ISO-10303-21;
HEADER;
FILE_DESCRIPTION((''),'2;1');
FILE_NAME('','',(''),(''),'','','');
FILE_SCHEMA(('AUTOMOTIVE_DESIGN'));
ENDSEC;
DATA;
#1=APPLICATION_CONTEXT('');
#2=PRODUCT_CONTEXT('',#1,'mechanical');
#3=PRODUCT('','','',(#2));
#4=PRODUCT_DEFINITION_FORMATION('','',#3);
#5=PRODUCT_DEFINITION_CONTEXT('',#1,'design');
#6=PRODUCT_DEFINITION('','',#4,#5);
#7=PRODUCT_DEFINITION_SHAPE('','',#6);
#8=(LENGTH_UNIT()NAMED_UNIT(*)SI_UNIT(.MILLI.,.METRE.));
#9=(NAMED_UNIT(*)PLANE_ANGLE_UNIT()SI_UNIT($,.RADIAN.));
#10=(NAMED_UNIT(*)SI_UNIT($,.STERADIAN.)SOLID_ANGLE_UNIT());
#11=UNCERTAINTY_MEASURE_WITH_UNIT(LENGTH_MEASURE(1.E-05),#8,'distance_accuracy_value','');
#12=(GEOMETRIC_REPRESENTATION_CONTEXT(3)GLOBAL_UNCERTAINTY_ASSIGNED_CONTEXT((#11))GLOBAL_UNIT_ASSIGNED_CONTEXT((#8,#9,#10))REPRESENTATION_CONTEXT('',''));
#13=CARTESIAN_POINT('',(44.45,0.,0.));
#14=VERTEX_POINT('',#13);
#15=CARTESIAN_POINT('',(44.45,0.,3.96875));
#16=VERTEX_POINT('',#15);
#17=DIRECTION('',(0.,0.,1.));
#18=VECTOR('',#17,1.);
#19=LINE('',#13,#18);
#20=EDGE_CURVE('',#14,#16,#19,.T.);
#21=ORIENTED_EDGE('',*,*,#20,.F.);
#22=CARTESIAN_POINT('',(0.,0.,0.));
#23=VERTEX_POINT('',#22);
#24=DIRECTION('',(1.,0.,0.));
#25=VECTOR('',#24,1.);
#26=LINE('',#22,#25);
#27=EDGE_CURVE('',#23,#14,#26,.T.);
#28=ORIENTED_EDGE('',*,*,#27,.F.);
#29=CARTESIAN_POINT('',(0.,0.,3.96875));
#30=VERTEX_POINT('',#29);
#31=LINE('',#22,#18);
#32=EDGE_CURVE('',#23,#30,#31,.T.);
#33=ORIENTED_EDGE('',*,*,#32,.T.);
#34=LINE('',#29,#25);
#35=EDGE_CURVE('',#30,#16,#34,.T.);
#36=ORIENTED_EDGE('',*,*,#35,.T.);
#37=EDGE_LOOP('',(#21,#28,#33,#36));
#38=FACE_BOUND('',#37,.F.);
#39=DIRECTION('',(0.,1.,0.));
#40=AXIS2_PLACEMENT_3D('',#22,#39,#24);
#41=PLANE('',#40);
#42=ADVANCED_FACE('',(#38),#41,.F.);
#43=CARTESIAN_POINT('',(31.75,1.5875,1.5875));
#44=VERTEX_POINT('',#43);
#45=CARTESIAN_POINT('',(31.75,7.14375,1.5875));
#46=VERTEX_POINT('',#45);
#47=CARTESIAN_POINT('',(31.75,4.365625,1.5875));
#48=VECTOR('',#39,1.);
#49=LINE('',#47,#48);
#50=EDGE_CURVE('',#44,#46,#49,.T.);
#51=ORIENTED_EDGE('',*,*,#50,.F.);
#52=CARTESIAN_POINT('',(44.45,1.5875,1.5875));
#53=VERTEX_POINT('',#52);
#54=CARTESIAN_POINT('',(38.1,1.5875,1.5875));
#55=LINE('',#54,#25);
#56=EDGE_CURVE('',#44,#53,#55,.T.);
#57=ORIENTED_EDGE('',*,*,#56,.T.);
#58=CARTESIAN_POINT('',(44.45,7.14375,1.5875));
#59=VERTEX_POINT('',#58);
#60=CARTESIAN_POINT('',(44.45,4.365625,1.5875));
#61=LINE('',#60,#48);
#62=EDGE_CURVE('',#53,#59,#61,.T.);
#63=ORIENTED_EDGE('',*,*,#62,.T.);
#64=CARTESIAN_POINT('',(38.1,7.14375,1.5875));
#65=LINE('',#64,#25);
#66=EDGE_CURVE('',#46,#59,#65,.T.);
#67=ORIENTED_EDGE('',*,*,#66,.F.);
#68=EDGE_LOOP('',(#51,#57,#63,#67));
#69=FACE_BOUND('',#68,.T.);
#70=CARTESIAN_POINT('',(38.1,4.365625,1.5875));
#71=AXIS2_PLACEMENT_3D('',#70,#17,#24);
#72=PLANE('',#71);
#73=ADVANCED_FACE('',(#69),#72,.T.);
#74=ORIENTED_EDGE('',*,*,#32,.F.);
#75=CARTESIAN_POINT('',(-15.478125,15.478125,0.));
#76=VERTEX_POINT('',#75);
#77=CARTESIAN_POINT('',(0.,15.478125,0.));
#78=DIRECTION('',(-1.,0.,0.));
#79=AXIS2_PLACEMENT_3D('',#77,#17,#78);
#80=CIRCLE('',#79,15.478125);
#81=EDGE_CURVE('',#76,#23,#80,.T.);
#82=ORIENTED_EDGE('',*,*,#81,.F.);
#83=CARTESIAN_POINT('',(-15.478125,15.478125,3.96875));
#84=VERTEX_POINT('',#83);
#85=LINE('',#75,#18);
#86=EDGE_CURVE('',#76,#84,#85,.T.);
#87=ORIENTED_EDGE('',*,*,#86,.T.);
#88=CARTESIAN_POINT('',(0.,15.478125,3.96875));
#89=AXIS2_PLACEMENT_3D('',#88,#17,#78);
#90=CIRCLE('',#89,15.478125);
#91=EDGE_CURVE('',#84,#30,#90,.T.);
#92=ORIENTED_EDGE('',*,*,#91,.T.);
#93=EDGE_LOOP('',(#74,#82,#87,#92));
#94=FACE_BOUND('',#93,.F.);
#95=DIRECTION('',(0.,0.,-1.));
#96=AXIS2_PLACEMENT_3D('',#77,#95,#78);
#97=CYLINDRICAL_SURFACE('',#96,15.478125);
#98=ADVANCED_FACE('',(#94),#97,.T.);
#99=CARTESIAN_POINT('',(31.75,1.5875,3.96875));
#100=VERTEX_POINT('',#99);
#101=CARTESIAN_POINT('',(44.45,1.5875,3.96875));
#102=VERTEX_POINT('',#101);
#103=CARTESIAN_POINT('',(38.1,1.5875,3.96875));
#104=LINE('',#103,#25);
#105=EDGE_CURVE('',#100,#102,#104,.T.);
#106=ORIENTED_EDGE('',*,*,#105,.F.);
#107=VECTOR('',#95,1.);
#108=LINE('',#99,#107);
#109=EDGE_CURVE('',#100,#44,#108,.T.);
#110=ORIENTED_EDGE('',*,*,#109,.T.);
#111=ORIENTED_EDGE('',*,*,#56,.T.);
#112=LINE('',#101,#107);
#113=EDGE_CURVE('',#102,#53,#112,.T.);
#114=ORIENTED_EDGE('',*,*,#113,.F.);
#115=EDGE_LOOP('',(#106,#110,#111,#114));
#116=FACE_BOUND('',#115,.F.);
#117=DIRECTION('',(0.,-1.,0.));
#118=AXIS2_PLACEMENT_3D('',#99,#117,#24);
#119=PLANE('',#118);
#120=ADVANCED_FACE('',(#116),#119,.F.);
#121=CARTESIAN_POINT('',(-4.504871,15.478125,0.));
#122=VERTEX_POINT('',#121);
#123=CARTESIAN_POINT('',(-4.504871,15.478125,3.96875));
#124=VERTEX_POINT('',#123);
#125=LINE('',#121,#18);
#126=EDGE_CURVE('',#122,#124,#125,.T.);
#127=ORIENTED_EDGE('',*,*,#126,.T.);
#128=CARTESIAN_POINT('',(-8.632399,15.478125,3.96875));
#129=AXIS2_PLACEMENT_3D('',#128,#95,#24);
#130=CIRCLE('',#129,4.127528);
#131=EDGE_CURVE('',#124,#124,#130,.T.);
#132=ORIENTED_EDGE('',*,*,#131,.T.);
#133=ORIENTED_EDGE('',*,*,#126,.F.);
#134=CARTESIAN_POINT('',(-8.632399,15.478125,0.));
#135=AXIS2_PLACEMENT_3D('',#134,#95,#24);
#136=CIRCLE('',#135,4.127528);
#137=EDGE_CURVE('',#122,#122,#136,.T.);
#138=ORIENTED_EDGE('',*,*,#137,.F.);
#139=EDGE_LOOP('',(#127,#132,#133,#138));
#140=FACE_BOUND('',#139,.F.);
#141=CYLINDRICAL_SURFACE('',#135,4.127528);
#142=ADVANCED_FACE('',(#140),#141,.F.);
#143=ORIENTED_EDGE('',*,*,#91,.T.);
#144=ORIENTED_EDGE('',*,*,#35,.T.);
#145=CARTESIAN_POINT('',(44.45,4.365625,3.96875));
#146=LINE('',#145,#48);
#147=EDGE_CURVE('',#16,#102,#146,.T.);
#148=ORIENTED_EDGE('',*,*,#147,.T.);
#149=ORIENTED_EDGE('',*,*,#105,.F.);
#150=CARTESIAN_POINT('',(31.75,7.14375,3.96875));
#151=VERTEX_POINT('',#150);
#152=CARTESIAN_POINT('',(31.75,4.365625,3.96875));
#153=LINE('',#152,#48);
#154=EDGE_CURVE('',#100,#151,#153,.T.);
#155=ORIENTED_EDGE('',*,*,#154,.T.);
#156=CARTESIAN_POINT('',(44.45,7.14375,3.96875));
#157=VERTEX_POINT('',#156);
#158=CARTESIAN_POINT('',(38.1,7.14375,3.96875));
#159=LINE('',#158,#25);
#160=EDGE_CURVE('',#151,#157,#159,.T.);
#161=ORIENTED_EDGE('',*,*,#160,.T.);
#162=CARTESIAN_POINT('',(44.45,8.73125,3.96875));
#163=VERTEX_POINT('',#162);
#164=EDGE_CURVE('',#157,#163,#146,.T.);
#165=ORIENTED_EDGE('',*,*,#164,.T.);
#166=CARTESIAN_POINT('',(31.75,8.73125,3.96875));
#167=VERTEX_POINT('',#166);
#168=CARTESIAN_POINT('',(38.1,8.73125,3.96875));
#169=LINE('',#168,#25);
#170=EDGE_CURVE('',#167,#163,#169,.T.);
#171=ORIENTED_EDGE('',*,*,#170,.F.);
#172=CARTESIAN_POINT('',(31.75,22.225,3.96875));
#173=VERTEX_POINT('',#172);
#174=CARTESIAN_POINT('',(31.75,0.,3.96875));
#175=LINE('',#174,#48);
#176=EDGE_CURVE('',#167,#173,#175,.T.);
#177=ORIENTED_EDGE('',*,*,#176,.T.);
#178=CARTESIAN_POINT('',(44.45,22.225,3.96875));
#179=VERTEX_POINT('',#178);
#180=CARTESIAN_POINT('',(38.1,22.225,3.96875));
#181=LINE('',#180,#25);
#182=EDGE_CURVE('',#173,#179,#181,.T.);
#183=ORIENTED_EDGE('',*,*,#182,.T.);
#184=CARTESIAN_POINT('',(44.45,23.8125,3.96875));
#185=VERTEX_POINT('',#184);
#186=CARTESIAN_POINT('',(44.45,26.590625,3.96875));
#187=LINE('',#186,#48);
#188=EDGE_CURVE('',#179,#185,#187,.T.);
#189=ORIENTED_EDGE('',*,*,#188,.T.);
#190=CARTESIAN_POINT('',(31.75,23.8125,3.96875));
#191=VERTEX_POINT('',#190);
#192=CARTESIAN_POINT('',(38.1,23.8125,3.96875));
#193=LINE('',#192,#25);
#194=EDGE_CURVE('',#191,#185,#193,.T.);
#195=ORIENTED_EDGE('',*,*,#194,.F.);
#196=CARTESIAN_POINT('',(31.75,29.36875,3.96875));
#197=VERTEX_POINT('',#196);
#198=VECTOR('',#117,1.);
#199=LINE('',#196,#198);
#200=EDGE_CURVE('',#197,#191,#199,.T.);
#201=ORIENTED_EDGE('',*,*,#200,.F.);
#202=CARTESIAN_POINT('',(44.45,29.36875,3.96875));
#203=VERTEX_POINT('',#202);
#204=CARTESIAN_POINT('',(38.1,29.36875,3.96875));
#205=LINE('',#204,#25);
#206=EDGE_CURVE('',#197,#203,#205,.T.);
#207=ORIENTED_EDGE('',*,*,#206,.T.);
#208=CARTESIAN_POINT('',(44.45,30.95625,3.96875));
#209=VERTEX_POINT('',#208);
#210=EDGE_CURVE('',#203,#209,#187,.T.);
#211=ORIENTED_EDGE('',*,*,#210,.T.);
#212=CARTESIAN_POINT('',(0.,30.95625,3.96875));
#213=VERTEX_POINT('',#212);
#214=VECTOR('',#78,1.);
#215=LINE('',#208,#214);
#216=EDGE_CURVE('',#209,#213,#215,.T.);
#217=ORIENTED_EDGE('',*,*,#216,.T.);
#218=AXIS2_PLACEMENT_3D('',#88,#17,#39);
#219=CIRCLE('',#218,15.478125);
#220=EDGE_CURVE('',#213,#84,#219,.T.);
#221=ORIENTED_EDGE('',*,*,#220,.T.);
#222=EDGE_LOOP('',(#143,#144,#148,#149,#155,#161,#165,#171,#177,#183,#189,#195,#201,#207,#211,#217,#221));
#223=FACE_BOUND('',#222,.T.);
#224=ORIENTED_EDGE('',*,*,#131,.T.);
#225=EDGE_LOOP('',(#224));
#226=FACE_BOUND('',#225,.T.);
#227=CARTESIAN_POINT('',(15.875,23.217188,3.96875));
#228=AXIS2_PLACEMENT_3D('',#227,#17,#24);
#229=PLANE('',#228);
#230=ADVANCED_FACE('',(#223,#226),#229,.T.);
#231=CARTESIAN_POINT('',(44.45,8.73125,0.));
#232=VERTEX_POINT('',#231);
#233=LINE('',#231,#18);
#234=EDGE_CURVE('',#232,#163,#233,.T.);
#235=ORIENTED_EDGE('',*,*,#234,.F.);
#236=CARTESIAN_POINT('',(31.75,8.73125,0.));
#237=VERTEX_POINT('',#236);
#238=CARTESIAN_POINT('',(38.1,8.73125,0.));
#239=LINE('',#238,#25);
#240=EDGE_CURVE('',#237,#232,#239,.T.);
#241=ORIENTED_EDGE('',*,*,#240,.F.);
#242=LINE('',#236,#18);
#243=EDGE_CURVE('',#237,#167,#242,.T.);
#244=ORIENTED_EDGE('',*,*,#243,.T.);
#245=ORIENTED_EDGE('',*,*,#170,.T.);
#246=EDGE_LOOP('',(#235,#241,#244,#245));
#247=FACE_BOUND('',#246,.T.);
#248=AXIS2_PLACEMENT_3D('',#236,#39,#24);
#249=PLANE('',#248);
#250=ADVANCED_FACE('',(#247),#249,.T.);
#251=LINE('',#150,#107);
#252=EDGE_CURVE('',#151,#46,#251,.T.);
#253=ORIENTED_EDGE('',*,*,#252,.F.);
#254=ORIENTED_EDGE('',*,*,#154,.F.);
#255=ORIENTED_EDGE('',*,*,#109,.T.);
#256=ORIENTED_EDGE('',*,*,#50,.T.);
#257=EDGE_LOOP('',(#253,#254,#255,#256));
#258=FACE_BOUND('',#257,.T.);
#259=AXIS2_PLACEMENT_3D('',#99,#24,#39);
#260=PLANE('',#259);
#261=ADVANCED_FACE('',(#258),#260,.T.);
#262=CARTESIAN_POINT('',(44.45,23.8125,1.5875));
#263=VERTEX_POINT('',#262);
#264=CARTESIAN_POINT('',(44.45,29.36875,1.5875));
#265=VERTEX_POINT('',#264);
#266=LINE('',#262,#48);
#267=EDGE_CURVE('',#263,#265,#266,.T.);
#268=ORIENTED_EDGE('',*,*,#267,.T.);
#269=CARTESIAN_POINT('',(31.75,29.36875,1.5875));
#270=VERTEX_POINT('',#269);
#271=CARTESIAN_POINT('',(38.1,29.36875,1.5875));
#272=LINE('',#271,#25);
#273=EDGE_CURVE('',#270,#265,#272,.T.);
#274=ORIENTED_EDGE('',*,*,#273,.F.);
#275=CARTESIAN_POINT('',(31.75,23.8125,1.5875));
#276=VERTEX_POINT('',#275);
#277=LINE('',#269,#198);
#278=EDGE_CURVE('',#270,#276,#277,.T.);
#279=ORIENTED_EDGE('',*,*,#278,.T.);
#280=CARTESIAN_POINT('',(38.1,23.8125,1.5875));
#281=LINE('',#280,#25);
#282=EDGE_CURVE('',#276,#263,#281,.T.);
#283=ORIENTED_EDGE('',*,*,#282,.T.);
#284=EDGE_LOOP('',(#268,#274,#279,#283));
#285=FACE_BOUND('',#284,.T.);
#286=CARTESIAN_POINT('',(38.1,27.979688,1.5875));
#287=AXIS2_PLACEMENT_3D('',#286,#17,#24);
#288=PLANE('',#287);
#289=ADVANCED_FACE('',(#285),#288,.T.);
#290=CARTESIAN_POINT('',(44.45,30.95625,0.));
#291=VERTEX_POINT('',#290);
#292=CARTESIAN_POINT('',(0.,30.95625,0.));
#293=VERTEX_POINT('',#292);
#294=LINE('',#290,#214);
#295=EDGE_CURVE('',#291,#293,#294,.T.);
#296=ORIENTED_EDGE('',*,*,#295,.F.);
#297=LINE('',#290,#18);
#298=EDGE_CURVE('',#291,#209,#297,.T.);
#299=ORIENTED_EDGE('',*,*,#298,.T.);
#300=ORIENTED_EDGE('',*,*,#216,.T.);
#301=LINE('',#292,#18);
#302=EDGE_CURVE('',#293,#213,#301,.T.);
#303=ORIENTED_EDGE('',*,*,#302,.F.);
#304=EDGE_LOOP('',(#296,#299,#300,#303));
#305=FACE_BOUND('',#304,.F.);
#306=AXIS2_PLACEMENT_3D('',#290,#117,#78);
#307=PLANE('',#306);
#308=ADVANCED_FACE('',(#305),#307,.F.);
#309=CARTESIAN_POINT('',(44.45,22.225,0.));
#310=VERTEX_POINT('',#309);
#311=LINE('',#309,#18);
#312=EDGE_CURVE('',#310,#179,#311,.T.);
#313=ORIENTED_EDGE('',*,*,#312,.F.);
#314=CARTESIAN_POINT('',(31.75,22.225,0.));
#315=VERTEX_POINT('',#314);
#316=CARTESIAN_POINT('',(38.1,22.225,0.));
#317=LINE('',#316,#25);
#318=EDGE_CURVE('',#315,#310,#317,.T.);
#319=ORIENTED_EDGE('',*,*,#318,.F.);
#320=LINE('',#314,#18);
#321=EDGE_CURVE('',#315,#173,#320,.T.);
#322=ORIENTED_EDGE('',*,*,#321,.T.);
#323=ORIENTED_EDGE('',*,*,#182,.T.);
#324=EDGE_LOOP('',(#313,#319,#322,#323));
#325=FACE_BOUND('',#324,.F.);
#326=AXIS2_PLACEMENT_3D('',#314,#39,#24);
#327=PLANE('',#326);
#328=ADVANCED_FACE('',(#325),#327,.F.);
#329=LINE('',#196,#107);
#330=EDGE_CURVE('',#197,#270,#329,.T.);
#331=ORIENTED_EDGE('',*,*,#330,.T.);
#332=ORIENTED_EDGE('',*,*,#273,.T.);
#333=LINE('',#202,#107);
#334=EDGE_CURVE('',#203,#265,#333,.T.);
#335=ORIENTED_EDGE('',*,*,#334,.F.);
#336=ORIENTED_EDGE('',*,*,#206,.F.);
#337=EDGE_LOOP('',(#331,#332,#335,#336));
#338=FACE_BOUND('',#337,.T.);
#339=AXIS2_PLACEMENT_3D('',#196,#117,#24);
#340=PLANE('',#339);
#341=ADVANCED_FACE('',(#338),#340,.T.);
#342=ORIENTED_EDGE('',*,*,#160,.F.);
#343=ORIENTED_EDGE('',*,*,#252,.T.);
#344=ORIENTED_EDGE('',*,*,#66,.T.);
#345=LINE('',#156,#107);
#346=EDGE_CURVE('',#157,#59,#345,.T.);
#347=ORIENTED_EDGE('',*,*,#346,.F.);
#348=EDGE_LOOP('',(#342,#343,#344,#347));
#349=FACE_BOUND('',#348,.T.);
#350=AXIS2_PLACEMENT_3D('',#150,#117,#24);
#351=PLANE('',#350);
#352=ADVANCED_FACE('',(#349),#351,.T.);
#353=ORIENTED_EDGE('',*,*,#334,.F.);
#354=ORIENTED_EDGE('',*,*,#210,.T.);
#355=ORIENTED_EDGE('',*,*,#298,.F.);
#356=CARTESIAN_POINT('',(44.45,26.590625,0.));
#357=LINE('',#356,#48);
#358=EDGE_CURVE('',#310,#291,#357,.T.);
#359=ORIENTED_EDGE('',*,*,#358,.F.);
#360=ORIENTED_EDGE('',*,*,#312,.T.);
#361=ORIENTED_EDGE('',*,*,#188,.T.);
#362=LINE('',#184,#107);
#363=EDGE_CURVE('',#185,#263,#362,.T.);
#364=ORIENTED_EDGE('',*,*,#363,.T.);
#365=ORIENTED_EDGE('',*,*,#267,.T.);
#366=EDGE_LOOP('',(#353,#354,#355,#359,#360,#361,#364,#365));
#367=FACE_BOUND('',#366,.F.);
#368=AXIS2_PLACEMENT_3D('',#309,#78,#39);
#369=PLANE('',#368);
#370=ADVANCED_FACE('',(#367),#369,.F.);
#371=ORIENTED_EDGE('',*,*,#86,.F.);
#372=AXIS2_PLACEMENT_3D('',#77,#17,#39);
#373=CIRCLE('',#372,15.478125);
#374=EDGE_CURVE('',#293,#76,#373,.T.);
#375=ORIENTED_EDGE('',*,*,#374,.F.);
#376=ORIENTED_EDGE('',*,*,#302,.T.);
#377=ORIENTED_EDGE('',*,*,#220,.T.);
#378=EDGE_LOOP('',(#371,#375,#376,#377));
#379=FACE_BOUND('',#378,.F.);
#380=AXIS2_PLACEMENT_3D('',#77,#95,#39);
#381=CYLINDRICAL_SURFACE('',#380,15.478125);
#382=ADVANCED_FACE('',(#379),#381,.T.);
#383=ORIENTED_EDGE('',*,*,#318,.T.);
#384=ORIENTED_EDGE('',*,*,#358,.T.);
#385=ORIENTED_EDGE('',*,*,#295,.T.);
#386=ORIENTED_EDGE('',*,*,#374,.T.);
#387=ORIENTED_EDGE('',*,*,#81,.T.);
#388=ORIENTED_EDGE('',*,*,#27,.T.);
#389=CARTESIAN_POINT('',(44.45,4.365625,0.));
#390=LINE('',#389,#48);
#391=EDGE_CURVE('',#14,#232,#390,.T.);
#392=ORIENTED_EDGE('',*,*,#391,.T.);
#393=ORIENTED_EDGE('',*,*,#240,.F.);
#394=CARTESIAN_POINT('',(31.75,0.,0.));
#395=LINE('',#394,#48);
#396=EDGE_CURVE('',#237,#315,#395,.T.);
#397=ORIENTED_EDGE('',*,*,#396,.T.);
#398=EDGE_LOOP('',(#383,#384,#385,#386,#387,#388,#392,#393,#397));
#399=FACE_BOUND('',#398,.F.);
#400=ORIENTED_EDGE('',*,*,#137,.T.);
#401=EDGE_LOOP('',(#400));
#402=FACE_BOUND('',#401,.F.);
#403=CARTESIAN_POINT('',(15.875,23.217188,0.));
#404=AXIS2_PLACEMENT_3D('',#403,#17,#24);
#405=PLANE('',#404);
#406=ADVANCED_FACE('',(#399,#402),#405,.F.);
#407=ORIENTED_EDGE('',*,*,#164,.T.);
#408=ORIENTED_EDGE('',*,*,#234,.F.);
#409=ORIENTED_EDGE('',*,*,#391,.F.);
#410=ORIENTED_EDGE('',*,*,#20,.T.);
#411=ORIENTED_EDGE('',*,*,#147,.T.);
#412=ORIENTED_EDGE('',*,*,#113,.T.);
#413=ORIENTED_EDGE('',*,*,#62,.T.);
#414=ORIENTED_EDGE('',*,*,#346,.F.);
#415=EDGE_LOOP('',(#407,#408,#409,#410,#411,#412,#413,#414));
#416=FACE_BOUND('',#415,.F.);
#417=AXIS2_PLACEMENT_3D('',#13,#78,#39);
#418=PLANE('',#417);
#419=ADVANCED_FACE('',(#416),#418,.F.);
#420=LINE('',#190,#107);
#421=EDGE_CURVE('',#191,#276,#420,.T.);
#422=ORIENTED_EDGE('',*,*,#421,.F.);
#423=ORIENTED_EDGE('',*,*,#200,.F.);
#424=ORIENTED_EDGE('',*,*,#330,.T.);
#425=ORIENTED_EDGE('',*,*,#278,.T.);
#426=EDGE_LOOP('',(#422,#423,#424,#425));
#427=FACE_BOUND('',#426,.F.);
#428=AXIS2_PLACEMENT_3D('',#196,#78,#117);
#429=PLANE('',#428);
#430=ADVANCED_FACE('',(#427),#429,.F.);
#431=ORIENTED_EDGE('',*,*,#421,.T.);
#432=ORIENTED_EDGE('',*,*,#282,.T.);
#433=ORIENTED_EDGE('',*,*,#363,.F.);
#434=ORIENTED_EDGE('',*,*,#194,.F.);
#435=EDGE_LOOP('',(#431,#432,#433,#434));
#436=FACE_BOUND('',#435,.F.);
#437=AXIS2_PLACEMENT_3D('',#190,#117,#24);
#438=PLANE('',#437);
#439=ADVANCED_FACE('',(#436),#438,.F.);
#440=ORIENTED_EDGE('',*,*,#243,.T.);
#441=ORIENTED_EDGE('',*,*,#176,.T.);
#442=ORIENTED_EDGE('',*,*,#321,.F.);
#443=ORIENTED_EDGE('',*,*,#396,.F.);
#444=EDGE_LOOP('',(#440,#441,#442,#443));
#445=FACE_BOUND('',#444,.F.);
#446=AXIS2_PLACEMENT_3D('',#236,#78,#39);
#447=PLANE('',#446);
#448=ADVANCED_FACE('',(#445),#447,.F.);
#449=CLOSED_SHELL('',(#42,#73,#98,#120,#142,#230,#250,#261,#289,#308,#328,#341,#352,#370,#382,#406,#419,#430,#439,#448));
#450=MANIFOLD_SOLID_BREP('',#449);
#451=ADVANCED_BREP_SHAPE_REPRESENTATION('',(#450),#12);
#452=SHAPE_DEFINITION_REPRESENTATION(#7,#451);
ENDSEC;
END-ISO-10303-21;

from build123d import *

# Parameters (mm, degrees)
F0_W     = 12.7
F0_H     = 8.73125
F1_DEPTH = 3.96875
F2_W     = 12.7
F2_H     = 2.778125
F2_H_2   = 5.55625
F3_DEPTH = 2.38125


with BuildPart() as f1:
    # F0 (on Top) → F1 (new body)
    with BuildSketch(Plane.XY):
        Polygon((0, 30.95625), (0, 15.478125), (31.75, 15.478125), (31.75, 22.225), (31.75, 30.95625), align=None)
        with BuildLine():
            Line((-4.5048706762, 15.478125), (0, 15.478125))
            Line((0, 15.478125), (0, 30.95625))
            ThreePointArc((0, 30.95625), (-10.9446871476, 26.4228121476), (-15.478125, 15.478125))
            Line((-15.478125, 15.478125), (-12.7599276074, 15.478125))
            ThreePointArc((-12.7599276074, 15.478125), (-8.6323991418, 19.6056534656), (-4.5048706762, 15.478125))
        make_face()
        with BuildLine():
            ThreePointArc((-15.478125, 15.478125), (-10.9446871476, 4.5334378524), (0, 0))
            Line((0, 0), (0, 15.478125))
            Line((0, 15.478125), (-4.5048706762, 15.478125))
            ThreePointArc((-4.5048706762, 15.478125), (-8.6323991418, 11.3505965344), (-12.7599276074, 15.478125))
            Line((-12.7599276074, 15.478125), (-15.478125, 15.478125))
        make_face()
        Polygon((0, 15.478125), (0, 0), (31.75, 0), (31.75, 8.73125), (31.75, 15.478125), align=None)
        with Locations((38.1, 4.365625)):
            Rectangle(F0_W, F0_H)
        with Locations((38.1, 26.590625)):
            Rectangle(F0_W, F0_H)
    extrude(amount=F1_DEPTH)

    # F2 (on face) → F3 (cut)
    with BuildSketch(Plane.XY.offset(3.96875)):
        with Locations((38.1, 27.9796875)):
            Rectangle(F2_W, F2_H)
        with Locations((38.1, 25.2015625)):
            Rectangle(F2_W, F2_H)
        with Locations((38.1, 4.365625)):
            Rectangle(F2_W, F2_H_2)
    extrude(amount=-F3_DEPTH, mode=Mode.SUBTRACT)


solid = f1.part
